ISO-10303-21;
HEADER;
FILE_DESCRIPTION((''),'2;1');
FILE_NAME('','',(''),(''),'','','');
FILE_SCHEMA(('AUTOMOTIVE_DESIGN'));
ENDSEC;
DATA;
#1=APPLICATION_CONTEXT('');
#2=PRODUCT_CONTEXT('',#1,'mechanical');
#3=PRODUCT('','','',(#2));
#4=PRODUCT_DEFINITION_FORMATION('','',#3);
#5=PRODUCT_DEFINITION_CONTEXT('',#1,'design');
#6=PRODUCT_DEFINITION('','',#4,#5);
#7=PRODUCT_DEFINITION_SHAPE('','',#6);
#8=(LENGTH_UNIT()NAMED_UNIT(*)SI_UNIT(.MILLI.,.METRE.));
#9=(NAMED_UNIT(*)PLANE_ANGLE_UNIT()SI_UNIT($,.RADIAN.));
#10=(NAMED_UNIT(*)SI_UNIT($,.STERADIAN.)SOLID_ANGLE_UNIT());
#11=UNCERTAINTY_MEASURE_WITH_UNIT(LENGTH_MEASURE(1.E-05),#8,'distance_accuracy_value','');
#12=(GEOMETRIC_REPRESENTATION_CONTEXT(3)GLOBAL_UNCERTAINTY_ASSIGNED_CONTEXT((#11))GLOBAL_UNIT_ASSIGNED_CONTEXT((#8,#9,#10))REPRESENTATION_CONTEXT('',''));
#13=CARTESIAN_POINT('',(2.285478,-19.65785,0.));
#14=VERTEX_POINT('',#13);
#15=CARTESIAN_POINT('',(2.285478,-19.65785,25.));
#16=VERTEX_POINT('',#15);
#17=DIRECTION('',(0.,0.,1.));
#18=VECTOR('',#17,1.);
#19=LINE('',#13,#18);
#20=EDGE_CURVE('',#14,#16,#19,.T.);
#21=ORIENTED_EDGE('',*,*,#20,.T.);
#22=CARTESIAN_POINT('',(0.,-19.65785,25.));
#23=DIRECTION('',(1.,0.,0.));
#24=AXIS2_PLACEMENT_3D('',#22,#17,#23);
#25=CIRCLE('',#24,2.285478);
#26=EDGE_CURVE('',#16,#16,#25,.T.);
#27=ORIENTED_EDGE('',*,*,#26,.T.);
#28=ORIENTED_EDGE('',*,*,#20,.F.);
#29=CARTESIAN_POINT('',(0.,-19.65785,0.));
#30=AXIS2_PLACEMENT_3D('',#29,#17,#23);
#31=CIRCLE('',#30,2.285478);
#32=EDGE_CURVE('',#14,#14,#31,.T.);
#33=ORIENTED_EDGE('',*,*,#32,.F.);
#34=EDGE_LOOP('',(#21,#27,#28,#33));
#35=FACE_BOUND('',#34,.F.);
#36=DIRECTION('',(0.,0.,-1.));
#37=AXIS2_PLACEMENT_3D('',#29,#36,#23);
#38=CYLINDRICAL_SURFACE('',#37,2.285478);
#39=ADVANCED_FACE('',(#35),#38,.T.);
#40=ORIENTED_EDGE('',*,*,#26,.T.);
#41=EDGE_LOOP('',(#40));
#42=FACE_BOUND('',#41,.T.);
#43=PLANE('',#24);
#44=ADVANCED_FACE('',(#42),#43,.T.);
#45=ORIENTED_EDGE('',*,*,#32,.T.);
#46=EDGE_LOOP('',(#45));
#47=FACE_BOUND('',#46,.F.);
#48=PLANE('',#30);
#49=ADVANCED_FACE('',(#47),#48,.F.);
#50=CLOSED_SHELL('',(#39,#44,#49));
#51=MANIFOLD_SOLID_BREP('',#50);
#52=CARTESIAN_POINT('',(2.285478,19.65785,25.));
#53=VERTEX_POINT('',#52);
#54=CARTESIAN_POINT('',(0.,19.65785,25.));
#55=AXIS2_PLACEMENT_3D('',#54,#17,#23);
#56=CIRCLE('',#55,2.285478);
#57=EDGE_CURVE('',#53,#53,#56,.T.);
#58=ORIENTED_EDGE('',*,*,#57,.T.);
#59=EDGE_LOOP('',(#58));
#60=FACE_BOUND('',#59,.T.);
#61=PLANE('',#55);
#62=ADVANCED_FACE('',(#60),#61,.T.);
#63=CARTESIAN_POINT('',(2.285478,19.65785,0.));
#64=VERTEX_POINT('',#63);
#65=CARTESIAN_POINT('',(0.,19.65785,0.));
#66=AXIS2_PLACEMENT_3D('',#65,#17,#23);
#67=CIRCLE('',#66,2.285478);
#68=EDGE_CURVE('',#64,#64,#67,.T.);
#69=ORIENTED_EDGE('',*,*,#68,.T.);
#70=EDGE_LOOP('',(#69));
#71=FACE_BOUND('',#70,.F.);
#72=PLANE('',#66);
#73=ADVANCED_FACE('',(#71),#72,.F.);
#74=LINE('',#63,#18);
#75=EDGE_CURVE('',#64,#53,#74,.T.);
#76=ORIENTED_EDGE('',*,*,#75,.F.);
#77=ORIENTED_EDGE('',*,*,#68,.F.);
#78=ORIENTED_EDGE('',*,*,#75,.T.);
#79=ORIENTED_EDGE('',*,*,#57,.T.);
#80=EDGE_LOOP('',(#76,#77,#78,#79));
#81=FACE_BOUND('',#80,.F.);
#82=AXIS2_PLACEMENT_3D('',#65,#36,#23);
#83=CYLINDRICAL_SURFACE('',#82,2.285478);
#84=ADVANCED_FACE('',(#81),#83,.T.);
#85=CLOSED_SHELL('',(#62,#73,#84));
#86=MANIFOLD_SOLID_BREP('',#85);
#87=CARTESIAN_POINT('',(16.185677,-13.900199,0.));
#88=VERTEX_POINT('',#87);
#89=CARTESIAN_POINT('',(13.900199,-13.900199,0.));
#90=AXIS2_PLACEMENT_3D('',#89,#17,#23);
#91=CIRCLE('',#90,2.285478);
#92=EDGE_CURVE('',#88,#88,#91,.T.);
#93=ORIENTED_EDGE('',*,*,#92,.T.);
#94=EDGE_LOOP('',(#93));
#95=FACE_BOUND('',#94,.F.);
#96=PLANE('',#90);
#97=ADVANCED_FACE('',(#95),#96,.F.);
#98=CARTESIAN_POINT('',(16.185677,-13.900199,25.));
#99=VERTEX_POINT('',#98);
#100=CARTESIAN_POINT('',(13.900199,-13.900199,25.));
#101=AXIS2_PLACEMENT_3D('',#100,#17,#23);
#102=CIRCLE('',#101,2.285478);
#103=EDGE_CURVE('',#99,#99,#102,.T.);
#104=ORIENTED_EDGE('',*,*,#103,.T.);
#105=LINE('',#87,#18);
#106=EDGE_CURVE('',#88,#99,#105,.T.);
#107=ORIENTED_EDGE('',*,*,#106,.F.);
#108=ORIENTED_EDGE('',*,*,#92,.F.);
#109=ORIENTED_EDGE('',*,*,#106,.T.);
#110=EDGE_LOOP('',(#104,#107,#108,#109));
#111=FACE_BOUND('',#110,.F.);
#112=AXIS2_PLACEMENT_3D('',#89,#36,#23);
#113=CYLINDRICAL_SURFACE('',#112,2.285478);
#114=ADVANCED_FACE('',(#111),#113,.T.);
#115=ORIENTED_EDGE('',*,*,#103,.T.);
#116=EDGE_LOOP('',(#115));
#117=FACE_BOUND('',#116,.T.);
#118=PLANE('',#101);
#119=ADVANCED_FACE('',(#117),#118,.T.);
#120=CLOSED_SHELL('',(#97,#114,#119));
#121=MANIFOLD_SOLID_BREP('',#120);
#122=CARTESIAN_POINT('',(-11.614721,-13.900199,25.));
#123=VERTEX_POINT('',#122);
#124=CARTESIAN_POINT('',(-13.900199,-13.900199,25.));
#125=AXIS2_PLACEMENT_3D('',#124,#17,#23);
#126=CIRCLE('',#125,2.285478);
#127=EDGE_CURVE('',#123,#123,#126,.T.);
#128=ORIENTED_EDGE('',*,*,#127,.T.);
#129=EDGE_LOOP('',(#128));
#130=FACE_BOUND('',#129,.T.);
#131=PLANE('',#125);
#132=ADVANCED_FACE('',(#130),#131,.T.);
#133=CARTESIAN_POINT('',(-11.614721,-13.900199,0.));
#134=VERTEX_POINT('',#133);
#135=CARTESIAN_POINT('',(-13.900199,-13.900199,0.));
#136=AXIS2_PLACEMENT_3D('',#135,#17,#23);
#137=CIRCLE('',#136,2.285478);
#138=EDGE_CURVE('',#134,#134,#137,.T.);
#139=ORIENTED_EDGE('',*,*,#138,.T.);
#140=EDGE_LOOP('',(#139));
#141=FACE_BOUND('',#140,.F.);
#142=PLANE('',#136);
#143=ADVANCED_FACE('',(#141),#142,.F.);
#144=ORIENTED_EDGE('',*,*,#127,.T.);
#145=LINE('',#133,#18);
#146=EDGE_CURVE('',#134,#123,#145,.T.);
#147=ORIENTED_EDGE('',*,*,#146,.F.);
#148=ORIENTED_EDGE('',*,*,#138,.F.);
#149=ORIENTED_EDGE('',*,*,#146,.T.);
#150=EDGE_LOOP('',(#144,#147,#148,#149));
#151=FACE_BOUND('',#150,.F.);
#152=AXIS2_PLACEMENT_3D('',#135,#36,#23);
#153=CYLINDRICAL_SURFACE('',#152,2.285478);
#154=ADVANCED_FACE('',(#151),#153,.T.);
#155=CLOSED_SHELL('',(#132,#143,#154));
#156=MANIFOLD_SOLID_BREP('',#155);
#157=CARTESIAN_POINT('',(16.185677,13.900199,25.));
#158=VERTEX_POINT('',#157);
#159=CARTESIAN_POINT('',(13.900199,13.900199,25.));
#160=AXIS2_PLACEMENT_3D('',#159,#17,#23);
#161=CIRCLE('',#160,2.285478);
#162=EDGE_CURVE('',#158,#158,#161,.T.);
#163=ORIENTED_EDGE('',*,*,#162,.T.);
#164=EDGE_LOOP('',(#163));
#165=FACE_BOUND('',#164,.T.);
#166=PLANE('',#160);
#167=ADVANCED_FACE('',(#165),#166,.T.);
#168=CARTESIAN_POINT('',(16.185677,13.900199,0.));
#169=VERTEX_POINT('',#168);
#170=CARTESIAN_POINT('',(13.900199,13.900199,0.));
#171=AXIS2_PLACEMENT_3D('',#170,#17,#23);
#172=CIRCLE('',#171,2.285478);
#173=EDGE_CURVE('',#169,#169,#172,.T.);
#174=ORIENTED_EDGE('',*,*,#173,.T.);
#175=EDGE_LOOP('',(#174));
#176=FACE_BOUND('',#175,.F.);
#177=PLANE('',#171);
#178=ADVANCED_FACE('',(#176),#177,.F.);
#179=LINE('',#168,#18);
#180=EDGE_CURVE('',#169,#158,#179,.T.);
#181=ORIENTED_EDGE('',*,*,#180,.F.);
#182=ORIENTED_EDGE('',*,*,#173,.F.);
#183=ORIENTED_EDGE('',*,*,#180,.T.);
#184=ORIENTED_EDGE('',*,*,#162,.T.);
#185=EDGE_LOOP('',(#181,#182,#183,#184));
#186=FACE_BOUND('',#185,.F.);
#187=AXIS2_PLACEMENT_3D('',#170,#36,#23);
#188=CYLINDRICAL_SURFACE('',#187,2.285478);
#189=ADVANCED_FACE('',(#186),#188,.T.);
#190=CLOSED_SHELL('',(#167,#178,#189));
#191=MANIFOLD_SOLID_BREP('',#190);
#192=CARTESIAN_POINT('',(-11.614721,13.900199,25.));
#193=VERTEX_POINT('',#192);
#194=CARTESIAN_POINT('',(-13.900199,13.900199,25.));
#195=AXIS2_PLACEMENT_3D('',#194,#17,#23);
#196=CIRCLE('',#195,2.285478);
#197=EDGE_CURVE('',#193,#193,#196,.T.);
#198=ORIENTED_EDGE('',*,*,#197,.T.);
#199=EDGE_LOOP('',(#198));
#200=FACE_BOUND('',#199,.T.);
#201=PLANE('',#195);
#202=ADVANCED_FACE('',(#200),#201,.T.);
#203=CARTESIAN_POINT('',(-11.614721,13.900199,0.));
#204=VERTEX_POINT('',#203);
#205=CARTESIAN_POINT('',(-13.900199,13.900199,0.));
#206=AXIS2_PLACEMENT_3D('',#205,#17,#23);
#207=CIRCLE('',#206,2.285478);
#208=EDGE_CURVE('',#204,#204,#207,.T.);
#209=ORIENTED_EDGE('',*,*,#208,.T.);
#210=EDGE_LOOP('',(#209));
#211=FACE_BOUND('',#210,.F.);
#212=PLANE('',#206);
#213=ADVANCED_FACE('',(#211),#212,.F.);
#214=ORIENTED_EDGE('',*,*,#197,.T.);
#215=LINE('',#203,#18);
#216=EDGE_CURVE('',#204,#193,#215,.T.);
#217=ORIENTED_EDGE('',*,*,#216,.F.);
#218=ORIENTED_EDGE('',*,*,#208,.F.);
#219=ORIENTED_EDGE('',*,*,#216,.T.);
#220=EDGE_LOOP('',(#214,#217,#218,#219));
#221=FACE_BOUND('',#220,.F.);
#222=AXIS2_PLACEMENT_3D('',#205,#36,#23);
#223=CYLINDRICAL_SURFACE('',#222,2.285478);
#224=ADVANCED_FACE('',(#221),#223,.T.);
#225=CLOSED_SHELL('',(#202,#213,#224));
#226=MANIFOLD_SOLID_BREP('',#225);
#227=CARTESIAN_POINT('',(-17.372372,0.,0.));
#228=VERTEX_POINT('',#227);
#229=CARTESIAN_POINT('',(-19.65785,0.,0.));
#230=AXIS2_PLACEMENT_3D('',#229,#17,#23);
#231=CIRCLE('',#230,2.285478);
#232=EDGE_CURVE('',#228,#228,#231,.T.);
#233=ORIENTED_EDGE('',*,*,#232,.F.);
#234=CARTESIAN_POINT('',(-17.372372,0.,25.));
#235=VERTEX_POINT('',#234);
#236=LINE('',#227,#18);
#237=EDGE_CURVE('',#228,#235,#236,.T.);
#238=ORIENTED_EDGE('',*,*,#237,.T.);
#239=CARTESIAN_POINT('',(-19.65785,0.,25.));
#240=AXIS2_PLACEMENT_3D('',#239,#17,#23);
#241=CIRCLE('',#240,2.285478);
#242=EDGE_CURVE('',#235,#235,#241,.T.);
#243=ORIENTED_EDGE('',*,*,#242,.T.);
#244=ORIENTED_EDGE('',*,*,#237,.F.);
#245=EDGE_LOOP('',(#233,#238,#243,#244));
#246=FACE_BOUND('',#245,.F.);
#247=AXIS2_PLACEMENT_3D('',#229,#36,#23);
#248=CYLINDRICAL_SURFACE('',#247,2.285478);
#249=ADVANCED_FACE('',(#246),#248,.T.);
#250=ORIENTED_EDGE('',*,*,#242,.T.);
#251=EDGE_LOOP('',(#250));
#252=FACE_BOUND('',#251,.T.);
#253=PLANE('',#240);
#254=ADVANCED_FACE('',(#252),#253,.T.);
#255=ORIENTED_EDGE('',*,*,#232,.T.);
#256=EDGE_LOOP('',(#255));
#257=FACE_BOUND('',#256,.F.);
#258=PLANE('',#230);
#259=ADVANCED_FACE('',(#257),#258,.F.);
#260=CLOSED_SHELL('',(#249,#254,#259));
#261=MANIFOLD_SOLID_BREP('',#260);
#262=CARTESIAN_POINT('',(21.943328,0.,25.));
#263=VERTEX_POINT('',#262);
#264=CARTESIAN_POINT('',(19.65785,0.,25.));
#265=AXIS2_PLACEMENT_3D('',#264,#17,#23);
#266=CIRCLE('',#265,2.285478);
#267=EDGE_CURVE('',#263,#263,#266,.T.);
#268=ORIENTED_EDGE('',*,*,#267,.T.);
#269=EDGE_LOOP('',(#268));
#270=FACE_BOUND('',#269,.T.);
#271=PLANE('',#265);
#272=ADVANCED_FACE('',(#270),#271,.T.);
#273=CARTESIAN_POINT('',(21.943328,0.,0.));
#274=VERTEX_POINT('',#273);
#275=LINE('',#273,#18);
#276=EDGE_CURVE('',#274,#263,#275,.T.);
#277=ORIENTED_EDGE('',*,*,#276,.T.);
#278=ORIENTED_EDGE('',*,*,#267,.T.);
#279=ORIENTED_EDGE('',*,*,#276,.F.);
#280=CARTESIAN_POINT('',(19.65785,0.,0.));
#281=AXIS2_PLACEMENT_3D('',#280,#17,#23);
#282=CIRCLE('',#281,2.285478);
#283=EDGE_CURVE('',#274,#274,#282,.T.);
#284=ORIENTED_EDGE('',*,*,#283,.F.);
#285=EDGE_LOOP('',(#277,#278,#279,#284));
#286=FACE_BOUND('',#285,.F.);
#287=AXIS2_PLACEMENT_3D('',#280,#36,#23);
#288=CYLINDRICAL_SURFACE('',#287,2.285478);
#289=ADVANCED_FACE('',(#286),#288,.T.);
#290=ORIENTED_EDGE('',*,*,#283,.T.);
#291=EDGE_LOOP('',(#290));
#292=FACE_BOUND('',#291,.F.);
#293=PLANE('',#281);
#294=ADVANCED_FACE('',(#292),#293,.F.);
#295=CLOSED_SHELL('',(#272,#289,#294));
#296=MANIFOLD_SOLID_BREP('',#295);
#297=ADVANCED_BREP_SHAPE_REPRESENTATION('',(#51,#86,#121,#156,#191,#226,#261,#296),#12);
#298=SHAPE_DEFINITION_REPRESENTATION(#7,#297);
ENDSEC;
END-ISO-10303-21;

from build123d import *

# Parameters (mm, degrees)
F0_R     = 2.285478
F1_DEPTH = 25


with BuildPart() as f1:
    # F0 (on Top) → F1 (new body)
    with BuildSketch(Plane.XY):
        with Locations((19.65785, 0)):
            Circle(F0_R)
        with Locations((13.900199, 13.900199)):
            Circle(F0_R)
        with Locations((0, 19.65785)):
            Circle(F0_R)
        with Locations((-13.900199, 13.900199)):
            Circle(F0_R)
        with Locations((-19.65785, 0)):
            Circle(F0_R)
        with Locations((-13.900199, -13.900199)):
            Circle(F0_R)
        with Locations((0, -19.65785)):
            Circle(F0_R)
        with Locations((13.900199, -13.900199)):
            Circle(F0_R)
    extrude(amount=F1_DEPTH)


solid = f1.part
